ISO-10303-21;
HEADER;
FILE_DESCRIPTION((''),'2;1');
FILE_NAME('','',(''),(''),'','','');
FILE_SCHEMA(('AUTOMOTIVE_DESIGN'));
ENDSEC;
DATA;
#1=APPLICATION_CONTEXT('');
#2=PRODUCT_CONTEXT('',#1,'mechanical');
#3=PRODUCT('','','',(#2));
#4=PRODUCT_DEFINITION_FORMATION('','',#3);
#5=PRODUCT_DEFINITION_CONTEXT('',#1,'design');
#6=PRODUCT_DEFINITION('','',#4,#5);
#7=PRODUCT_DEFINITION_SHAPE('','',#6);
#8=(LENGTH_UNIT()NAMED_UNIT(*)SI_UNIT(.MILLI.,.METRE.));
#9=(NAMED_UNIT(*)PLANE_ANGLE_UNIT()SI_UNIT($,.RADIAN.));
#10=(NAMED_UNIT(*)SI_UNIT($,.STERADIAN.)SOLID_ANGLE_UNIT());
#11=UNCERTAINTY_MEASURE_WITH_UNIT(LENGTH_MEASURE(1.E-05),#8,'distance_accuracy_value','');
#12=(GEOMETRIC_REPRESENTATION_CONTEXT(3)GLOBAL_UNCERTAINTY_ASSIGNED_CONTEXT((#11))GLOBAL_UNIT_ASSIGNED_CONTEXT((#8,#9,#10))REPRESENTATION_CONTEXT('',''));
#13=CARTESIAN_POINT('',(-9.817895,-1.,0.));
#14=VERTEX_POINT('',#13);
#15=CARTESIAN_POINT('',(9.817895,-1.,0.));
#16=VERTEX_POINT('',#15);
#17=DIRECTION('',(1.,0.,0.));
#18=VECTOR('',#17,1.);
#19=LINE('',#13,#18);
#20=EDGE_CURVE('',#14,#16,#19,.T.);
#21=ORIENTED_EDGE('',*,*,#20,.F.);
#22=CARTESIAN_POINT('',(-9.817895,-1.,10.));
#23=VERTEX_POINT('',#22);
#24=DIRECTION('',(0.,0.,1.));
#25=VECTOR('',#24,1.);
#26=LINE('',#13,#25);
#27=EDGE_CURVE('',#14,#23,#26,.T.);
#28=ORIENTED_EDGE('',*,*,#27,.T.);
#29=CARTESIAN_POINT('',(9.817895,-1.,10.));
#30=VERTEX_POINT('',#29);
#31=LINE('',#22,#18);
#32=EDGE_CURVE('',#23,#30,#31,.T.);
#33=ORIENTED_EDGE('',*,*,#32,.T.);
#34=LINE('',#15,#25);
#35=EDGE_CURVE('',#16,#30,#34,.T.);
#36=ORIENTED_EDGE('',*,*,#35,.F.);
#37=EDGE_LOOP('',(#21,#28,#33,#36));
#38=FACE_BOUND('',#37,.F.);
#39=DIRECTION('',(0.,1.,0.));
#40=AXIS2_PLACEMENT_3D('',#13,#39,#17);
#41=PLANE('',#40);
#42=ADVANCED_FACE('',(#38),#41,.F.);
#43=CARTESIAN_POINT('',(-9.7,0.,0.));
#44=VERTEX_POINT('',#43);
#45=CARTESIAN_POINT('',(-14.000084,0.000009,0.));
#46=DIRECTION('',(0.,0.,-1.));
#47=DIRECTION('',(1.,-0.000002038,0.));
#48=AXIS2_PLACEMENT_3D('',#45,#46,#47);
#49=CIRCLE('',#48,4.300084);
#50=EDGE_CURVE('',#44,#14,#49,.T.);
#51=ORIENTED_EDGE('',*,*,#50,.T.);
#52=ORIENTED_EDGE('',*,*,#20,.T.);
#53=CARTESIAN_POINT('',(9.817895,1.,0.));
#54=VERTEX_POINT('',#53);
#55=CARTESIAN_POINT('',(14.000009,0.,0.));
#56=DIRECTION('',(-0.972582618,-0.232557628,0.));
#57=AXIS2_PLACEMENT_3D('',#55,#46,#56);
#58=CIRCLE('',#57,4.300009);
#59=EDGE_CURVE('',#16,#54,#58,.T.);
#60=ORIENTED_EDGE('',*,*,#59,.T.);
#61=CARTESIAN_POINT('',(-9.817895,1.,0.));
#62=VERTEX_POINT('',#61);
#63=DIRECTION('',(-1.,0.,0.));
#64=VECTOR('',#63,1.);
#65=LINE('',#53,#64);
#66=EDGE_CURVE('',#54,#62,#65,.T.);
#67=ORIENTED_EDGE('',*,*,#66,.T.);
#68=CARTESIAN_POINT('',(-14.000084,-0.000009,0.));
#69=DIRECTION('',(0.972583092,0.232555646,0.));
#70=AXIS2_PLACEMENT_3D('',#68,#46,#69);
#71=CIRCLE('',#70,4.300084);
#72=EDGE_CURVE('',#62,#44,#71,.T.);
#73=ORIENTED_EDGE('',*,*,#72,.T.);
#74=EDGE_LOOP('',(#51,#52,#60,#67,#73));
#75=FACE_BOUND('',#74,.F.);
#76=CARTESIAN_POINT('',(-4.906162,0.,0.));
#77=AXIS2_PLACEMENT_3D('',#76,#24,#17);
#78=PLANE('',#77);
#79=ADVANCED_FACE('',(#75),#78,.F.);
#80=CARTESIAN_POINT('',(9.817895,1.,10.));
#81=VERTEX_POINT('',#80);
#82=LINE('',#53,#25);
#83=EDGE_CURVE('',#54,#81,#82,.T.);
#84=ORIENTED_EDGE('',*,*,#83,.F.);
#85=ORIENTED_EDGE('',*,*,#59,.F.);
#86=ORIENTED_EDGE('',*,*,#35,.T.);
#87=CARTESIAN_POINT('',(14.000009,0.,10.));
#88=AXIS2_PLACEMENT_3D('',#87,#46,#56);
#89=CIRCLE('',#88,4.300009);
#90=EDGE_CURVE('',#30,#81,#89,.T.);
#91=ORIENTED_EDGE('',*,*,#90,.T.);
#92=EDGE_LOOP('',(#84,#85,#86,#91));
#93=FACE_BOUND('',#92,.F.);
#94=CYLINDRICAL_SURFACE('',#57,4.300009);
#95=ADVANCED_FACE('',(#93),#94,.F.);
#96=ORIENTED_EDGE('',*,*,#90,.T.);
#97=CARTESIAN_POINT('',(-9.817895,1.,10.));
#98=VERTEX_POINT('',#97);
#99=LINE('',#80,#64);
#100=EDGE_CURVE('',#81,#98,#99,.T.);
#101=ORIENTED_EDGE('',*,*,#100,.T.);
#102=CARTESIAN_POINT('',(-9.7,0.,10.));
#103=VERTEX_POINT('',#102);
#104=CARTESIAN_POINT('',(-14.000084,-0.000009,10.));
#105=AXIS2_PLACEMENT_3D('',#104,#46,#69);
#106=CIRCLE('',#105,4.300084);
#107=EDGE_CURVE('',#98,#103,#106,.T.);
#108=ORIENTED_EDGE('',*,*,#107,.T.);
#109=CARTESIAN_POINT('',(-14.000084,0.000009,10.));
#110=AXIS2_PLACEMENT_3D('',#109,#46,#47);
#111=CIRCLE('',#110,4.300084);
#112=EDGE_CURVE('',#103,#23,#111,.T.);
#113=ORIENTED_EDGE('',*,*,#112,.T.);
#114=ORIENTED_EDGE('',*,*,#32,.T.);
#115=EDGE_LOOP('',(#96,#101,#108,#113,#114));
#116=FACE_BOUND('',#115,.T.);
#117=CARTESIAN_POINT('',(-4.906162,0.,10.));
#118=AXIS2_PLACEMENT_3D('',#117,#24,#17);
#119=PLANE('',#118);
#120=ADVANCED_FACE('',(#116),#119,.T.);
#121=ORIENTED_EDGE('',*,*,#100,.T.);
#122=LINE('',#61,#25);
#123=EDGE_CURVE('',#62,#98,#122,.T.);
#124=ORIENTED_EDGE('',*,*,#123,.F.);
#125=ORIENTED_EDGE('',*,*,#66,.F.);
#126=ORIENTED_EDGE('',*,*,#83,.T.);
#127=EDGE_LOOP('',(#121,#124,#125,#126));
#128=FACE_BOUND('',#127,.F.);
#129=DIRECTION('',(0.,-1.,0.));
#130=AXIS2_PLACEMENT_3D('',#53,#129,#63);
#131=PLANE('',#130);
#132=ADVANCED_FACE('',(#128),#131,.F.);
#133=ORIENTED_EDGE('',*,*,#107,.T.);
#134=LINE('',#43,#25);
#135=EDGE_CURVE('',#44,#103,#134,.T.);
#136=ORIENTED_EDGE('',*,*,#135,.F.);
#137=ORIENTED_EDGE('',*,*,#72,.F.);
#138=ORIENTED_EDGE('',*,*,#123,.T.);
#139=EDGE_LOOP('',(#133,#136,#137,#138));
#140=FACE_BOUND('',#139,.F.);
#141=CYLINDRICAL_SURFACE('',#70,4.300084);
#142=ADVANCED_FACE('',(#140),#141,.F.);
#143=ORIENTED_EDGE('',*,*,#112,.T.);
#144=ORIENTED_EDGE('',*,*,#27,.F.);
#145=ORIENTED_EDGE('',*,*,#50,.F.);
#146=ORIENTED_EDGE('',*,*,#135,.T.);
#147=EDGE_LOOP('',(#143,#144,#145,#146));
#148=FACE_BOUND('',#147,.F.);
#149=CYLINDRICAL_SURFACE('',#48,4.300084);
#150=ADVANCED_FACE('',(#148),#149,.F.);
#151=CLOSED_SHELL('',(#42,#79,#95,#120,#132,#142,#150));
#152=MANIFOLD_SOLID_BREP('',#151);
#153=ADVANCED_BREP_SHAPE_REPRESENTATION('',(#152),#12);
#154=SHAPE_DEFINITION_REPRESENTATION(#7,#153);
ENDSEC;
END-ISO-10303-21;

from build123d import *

# Parameters (mm, degrees)
F1_DEPTH = 10


with BuildPart() as f1:
    # F0 (on Top) → F1 (new body)
    with BuildSketch(Plane.XY):
        with BuildLine():
            ThreePointArc((-9.817895, 1), (-9.729576, 0.503463), (-9.7, 0))
            ThreePointArc((-9.7, 0), (-9.729576, -0.503463), (-9.817895, -1))
            Line((-9.817895, -1), (0, -1))
            Line((0, -1), (0, 0))
            Line((0, 0), (0, 1))
            Line((0, 1), (-9.817895, 1))
        make_face()
        with BuildLine():
            Line((9.817895, 1), (0, 1))
            Line((0, 1), (0, 0))
            Line((0, 0), (0, -1))
            Line((0, -1), (9.817895, -1))
            ThreePointArc((9.817895, -1), (9.7, 0), (9.817895, 1))
        make_face()
    extrude(amount=F1_DEPTH)


solid = f1.part
